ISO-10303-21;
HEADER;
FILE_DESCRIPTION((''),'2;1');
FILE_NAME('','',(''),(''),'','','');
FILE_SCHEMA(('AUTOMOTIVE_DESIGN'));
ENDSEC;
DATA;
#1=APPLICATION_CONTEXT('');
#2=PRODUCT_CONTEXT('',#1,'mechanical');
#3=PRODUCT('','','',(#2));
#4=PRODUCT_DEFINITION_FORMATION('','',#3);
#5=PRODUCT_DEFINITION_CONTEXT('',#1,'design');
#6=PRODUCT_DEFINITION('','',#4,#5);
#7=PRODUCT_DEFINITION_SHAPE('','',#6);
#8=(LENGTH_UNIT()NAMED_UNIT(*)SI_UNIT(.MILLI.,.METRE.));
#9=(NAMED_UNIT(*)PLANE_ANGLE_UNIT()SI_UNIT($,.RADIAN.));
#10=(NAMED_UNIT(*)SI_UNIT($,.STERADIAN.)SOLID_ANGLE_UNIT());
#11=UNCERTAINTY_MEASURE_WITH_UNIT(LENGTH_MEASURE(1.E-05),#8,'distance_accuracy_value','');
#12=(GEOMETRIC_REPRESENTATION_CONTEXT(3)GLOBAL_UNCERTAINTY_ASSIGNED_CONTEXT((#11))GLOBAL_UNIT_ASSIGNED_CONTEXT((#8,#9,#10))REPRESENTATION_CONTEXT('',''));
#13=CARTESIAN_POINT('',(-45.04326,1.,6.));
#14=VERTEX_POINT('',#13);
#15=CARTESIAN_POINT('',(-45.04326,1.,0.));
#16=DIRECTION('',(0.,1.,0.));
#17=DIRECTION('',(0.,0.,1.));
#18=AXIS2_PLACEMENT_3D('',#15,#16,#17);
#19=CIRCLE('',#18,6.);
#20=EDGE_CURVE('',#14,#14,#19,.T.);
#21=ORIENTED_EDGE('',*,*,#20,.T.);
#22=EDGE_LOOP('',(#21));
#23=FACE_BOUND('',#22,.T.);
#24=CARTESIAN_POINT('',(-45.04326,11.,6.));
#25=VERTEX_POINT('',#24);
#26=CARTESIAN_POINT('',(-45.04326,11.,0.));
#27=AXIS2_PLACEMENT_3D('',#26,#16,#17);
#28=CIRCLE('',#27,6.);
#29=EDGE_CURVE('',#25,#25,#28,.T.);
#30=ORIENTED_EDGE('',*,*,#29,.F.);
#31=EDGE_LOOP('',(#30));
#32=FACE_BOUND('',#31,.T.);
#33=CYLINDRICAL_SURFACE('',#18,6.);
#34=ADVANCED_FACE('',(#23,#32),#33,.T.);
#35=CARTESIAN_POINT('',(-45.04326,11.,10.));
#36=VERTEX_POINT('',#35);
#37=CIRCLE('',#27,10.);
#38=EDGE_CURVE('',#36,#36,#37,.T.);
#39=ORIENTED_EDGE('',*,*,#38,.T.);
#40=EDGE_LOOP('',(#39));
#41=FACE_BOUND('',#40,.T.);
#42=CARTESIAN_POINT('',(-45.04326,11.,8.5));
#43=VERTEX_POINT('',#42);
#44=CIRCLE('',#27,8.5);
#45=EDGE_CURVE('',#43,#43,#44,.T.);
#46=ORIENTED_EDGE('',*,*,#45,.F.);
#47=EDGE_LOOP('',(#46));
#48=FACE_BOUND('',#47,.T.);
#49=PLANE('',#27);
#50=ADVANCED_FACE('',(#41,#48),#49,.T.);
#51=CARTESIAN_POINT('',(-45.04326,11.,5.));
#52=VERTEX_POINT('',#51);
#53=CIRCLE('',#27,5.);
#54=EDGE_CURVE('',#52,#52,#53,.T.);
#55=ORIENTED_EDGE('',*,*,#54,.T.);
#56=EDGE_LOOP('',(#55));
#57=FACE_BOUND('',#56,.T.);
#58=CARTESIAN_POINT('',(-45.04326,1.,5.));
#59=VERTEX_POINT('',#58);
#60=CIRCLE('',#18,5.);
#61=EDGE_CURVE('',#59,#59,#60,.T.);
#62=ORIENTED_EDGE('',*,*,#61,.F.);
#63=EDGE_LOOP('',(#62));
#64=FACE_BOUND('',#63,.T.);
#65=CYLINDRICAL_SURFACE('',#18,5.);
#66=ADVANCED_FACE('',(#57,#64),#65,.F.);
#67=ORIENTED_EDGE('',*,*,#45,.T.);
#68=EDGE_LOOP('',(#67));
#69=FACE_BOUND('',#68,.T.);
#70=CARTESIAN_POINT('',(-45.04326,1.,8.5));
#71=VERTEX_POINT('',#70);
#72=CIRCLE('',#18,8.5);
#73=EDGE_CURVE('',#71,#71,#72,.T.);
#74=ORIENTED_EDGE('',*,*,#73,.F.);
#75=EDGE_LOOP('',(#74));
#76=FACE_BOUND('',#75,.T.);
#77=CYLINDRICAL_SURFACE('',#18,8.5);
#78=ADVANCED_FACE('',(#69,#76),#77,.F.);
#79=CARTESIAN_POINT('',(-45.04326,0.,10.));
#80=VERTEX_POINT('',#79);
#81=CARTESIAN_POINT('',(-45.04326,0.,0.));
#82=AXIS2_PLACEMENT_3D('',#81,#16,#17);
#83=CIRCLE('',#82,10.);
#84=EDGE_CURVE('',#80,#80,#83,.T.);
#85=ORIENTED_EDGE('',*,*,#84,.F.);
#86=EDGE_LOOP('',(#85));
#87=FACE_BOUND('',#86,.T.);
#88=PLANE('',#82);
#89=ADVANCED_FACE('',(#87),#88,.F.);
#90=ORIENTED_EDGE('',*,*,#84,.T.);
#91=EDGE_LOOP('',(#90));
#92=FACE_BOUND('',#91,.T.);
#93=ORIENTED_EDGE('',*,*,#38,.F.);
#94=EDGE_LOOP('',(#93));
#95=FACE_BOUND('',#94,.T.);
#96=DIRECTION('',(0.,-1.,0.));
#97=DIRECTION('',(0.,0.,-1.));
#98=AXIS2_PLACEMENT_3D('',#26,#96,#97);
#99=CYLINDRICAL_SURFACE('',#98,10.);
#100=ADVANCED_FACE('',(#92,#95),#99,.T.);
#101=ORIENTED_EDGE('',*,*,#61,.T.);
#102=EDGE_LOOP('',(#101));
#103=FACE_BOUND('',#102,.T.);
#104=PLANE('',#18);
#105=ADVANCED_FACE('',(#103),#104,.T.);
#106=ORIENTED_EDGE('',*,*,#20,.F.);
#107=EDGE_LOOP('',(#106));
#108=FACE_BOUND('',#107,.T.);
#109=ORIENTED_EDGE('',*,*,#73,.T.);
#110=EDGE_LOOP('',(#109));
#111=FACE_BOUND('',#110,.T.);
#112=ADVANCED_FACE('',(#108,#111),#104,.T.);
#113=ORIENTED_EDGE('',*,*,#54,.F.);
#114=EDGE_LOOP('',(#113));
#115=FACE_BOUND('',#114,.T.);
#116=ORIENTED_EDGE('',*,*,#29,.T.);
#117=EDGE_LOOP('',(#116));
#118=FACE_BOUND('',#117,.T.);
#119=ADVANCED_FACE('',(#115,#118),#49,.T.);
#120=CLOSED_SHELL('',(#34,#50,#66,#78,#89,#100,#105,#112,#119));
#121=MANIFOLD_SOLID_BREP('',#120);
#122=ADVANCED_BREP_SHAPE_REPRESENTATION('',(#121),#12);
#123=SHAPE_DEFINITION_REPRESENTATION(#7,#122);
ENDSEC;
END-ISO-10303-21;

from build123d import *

# Parameters (mm, degrees)
SKETCH1_R           = 10
BOSS_EXTRUDE1_DEPTH = 11
SKETCH2_R           = 8.5
SKETCH2_R_2         = 6
CUT_EXTRUDE1_DEPTH  = 10
SKETCH3_R           = 5
CUT_EXTRUDE2_DEPTH  = 10


with BuildPart() as part:
    # Sketch1 → Boss-Extrude1 (new body)
    with BuildSketch(Plane(origin=(0, 0, 0), x_dir=(1, 0, 0), z_dir=(0, 1, 0))):
        with Locations((-45.043259766, 0)):
            Circle(SKETCH1_R)
    extrude(amount=BOSS_EXTRUDE1_DEPTH)

    # Sketch2 → Cut-Extrude1 (cut)
    with BuildSketch(Plane(origin=(0, 11, 0), x_dir=(1, 0, 0), z_dir=(0, 1, 0))):
        with Locations((-45.043259766, 0)):
            Circle(SKETCH2_R)
        with Locations((-45.043259766, 0)):
            Circle(SKETCH2_R_2, mode=Mode.SUBTRACT)
    extrude(amount=-CUT_EXTRUDE1_DEPTH, mode=Mode.SUBTRACT)

    # Sketch3 → Cut-Extrude2 (cut)
    with BuildSketch(Plane(origin=(0, 11, 0), x_dir=(1, 0, 0), z_dir=(0, 1, 0))):
        with Locations((-45.043259766, 0)):
            Circle(SKETCH3_R)
    extrude(amount=-CUT_EXTRUDE2_DEPTH, mode=Mode.SUBTRACT)


solid = part.part
